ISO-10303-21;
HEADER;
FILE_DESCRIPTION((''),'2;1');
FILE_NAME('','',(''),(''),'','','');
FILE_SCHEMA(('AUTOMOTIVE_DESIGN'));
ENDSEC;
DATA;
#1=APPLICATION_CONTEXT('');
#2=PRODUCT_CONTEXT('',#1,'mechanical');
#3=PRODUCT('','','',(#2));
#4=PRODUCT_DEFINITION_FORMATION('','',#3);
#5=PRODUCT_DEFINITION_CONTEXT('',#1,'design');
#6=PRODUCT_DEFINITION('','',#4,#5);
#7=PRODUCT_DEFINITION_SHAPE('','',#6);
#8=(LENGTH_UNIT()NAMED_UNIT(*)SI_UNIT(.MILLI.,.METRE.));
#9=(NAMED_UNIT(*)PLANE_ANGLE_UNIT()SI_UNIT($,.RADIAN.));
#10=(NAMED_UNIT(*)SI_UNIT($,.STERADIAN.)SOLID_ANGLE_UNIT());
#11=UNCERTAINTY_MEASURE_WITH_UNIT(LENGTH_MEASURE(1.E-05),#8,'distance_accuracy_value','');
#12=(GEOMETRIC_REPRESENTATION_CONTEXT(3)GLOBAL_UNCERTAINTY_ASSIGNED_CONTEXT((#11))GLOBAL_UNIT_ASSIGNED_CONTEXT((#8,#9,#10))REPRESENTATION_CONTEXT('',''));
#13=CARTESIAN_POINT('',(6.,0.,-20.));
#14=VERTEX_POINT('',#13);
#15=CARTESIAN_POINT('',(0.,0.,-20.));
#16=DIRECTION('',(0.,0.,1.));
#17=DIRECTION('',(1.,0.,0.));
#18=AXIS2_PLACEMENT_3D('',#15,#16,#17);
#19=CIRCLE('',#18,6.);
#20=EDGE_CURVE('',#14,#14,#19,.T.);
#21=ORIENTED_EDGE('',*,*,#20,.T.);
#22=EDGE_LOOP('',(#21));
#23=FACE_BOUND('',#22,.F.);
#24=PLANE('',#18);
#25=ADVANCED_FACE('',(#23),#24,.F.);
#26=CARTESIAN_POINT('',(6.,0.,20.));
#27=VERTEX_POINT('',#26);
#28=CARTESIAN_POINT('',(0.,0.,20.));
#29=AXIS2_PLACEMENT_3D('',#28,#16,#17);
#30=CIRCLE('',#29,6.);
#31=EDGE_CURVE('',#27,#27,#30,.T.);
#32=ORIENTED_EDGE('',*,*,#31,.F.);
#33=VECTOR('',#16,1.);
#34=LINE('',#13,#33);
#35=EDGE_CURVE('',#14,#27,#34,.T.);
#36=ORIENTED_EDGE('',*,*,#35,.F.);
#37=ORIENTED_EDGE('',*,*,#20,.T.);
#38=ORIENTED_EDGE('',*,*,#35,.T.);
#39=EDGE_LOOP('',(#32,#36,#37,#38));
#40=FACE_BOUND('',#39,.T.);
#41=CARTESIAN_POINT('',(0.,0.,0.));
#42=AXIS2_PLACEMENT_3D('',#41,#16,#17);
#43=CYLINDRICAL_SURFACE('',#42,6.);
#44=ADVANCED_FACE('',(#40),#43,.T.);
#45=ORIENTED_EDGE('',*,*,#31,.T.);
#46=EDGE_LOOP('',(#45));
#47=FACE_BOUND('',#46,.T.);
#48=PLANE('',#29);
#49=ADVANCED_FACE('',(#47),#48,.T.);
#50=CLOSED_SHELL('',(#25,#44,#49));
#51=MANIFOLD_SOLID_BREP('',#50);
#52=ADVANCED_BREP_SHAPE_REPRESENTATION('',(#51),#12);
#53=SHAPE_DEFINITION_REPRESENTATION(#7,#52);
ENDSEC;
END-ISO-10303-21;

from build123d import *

# Parameters (mm, degrees)
SKETCH1_R      = 6
EXTRUDE1_DEPTH = 20


with BuildPart() as part:
    # Sketch1 → Extrude1 (new body, symmetric)
    with BuildSketch(Plane.XY):
        Circle(SKETCH1_R)
    extrude(amount=EXTRUDE1_DEPTH, both=True)


solid = part.part
